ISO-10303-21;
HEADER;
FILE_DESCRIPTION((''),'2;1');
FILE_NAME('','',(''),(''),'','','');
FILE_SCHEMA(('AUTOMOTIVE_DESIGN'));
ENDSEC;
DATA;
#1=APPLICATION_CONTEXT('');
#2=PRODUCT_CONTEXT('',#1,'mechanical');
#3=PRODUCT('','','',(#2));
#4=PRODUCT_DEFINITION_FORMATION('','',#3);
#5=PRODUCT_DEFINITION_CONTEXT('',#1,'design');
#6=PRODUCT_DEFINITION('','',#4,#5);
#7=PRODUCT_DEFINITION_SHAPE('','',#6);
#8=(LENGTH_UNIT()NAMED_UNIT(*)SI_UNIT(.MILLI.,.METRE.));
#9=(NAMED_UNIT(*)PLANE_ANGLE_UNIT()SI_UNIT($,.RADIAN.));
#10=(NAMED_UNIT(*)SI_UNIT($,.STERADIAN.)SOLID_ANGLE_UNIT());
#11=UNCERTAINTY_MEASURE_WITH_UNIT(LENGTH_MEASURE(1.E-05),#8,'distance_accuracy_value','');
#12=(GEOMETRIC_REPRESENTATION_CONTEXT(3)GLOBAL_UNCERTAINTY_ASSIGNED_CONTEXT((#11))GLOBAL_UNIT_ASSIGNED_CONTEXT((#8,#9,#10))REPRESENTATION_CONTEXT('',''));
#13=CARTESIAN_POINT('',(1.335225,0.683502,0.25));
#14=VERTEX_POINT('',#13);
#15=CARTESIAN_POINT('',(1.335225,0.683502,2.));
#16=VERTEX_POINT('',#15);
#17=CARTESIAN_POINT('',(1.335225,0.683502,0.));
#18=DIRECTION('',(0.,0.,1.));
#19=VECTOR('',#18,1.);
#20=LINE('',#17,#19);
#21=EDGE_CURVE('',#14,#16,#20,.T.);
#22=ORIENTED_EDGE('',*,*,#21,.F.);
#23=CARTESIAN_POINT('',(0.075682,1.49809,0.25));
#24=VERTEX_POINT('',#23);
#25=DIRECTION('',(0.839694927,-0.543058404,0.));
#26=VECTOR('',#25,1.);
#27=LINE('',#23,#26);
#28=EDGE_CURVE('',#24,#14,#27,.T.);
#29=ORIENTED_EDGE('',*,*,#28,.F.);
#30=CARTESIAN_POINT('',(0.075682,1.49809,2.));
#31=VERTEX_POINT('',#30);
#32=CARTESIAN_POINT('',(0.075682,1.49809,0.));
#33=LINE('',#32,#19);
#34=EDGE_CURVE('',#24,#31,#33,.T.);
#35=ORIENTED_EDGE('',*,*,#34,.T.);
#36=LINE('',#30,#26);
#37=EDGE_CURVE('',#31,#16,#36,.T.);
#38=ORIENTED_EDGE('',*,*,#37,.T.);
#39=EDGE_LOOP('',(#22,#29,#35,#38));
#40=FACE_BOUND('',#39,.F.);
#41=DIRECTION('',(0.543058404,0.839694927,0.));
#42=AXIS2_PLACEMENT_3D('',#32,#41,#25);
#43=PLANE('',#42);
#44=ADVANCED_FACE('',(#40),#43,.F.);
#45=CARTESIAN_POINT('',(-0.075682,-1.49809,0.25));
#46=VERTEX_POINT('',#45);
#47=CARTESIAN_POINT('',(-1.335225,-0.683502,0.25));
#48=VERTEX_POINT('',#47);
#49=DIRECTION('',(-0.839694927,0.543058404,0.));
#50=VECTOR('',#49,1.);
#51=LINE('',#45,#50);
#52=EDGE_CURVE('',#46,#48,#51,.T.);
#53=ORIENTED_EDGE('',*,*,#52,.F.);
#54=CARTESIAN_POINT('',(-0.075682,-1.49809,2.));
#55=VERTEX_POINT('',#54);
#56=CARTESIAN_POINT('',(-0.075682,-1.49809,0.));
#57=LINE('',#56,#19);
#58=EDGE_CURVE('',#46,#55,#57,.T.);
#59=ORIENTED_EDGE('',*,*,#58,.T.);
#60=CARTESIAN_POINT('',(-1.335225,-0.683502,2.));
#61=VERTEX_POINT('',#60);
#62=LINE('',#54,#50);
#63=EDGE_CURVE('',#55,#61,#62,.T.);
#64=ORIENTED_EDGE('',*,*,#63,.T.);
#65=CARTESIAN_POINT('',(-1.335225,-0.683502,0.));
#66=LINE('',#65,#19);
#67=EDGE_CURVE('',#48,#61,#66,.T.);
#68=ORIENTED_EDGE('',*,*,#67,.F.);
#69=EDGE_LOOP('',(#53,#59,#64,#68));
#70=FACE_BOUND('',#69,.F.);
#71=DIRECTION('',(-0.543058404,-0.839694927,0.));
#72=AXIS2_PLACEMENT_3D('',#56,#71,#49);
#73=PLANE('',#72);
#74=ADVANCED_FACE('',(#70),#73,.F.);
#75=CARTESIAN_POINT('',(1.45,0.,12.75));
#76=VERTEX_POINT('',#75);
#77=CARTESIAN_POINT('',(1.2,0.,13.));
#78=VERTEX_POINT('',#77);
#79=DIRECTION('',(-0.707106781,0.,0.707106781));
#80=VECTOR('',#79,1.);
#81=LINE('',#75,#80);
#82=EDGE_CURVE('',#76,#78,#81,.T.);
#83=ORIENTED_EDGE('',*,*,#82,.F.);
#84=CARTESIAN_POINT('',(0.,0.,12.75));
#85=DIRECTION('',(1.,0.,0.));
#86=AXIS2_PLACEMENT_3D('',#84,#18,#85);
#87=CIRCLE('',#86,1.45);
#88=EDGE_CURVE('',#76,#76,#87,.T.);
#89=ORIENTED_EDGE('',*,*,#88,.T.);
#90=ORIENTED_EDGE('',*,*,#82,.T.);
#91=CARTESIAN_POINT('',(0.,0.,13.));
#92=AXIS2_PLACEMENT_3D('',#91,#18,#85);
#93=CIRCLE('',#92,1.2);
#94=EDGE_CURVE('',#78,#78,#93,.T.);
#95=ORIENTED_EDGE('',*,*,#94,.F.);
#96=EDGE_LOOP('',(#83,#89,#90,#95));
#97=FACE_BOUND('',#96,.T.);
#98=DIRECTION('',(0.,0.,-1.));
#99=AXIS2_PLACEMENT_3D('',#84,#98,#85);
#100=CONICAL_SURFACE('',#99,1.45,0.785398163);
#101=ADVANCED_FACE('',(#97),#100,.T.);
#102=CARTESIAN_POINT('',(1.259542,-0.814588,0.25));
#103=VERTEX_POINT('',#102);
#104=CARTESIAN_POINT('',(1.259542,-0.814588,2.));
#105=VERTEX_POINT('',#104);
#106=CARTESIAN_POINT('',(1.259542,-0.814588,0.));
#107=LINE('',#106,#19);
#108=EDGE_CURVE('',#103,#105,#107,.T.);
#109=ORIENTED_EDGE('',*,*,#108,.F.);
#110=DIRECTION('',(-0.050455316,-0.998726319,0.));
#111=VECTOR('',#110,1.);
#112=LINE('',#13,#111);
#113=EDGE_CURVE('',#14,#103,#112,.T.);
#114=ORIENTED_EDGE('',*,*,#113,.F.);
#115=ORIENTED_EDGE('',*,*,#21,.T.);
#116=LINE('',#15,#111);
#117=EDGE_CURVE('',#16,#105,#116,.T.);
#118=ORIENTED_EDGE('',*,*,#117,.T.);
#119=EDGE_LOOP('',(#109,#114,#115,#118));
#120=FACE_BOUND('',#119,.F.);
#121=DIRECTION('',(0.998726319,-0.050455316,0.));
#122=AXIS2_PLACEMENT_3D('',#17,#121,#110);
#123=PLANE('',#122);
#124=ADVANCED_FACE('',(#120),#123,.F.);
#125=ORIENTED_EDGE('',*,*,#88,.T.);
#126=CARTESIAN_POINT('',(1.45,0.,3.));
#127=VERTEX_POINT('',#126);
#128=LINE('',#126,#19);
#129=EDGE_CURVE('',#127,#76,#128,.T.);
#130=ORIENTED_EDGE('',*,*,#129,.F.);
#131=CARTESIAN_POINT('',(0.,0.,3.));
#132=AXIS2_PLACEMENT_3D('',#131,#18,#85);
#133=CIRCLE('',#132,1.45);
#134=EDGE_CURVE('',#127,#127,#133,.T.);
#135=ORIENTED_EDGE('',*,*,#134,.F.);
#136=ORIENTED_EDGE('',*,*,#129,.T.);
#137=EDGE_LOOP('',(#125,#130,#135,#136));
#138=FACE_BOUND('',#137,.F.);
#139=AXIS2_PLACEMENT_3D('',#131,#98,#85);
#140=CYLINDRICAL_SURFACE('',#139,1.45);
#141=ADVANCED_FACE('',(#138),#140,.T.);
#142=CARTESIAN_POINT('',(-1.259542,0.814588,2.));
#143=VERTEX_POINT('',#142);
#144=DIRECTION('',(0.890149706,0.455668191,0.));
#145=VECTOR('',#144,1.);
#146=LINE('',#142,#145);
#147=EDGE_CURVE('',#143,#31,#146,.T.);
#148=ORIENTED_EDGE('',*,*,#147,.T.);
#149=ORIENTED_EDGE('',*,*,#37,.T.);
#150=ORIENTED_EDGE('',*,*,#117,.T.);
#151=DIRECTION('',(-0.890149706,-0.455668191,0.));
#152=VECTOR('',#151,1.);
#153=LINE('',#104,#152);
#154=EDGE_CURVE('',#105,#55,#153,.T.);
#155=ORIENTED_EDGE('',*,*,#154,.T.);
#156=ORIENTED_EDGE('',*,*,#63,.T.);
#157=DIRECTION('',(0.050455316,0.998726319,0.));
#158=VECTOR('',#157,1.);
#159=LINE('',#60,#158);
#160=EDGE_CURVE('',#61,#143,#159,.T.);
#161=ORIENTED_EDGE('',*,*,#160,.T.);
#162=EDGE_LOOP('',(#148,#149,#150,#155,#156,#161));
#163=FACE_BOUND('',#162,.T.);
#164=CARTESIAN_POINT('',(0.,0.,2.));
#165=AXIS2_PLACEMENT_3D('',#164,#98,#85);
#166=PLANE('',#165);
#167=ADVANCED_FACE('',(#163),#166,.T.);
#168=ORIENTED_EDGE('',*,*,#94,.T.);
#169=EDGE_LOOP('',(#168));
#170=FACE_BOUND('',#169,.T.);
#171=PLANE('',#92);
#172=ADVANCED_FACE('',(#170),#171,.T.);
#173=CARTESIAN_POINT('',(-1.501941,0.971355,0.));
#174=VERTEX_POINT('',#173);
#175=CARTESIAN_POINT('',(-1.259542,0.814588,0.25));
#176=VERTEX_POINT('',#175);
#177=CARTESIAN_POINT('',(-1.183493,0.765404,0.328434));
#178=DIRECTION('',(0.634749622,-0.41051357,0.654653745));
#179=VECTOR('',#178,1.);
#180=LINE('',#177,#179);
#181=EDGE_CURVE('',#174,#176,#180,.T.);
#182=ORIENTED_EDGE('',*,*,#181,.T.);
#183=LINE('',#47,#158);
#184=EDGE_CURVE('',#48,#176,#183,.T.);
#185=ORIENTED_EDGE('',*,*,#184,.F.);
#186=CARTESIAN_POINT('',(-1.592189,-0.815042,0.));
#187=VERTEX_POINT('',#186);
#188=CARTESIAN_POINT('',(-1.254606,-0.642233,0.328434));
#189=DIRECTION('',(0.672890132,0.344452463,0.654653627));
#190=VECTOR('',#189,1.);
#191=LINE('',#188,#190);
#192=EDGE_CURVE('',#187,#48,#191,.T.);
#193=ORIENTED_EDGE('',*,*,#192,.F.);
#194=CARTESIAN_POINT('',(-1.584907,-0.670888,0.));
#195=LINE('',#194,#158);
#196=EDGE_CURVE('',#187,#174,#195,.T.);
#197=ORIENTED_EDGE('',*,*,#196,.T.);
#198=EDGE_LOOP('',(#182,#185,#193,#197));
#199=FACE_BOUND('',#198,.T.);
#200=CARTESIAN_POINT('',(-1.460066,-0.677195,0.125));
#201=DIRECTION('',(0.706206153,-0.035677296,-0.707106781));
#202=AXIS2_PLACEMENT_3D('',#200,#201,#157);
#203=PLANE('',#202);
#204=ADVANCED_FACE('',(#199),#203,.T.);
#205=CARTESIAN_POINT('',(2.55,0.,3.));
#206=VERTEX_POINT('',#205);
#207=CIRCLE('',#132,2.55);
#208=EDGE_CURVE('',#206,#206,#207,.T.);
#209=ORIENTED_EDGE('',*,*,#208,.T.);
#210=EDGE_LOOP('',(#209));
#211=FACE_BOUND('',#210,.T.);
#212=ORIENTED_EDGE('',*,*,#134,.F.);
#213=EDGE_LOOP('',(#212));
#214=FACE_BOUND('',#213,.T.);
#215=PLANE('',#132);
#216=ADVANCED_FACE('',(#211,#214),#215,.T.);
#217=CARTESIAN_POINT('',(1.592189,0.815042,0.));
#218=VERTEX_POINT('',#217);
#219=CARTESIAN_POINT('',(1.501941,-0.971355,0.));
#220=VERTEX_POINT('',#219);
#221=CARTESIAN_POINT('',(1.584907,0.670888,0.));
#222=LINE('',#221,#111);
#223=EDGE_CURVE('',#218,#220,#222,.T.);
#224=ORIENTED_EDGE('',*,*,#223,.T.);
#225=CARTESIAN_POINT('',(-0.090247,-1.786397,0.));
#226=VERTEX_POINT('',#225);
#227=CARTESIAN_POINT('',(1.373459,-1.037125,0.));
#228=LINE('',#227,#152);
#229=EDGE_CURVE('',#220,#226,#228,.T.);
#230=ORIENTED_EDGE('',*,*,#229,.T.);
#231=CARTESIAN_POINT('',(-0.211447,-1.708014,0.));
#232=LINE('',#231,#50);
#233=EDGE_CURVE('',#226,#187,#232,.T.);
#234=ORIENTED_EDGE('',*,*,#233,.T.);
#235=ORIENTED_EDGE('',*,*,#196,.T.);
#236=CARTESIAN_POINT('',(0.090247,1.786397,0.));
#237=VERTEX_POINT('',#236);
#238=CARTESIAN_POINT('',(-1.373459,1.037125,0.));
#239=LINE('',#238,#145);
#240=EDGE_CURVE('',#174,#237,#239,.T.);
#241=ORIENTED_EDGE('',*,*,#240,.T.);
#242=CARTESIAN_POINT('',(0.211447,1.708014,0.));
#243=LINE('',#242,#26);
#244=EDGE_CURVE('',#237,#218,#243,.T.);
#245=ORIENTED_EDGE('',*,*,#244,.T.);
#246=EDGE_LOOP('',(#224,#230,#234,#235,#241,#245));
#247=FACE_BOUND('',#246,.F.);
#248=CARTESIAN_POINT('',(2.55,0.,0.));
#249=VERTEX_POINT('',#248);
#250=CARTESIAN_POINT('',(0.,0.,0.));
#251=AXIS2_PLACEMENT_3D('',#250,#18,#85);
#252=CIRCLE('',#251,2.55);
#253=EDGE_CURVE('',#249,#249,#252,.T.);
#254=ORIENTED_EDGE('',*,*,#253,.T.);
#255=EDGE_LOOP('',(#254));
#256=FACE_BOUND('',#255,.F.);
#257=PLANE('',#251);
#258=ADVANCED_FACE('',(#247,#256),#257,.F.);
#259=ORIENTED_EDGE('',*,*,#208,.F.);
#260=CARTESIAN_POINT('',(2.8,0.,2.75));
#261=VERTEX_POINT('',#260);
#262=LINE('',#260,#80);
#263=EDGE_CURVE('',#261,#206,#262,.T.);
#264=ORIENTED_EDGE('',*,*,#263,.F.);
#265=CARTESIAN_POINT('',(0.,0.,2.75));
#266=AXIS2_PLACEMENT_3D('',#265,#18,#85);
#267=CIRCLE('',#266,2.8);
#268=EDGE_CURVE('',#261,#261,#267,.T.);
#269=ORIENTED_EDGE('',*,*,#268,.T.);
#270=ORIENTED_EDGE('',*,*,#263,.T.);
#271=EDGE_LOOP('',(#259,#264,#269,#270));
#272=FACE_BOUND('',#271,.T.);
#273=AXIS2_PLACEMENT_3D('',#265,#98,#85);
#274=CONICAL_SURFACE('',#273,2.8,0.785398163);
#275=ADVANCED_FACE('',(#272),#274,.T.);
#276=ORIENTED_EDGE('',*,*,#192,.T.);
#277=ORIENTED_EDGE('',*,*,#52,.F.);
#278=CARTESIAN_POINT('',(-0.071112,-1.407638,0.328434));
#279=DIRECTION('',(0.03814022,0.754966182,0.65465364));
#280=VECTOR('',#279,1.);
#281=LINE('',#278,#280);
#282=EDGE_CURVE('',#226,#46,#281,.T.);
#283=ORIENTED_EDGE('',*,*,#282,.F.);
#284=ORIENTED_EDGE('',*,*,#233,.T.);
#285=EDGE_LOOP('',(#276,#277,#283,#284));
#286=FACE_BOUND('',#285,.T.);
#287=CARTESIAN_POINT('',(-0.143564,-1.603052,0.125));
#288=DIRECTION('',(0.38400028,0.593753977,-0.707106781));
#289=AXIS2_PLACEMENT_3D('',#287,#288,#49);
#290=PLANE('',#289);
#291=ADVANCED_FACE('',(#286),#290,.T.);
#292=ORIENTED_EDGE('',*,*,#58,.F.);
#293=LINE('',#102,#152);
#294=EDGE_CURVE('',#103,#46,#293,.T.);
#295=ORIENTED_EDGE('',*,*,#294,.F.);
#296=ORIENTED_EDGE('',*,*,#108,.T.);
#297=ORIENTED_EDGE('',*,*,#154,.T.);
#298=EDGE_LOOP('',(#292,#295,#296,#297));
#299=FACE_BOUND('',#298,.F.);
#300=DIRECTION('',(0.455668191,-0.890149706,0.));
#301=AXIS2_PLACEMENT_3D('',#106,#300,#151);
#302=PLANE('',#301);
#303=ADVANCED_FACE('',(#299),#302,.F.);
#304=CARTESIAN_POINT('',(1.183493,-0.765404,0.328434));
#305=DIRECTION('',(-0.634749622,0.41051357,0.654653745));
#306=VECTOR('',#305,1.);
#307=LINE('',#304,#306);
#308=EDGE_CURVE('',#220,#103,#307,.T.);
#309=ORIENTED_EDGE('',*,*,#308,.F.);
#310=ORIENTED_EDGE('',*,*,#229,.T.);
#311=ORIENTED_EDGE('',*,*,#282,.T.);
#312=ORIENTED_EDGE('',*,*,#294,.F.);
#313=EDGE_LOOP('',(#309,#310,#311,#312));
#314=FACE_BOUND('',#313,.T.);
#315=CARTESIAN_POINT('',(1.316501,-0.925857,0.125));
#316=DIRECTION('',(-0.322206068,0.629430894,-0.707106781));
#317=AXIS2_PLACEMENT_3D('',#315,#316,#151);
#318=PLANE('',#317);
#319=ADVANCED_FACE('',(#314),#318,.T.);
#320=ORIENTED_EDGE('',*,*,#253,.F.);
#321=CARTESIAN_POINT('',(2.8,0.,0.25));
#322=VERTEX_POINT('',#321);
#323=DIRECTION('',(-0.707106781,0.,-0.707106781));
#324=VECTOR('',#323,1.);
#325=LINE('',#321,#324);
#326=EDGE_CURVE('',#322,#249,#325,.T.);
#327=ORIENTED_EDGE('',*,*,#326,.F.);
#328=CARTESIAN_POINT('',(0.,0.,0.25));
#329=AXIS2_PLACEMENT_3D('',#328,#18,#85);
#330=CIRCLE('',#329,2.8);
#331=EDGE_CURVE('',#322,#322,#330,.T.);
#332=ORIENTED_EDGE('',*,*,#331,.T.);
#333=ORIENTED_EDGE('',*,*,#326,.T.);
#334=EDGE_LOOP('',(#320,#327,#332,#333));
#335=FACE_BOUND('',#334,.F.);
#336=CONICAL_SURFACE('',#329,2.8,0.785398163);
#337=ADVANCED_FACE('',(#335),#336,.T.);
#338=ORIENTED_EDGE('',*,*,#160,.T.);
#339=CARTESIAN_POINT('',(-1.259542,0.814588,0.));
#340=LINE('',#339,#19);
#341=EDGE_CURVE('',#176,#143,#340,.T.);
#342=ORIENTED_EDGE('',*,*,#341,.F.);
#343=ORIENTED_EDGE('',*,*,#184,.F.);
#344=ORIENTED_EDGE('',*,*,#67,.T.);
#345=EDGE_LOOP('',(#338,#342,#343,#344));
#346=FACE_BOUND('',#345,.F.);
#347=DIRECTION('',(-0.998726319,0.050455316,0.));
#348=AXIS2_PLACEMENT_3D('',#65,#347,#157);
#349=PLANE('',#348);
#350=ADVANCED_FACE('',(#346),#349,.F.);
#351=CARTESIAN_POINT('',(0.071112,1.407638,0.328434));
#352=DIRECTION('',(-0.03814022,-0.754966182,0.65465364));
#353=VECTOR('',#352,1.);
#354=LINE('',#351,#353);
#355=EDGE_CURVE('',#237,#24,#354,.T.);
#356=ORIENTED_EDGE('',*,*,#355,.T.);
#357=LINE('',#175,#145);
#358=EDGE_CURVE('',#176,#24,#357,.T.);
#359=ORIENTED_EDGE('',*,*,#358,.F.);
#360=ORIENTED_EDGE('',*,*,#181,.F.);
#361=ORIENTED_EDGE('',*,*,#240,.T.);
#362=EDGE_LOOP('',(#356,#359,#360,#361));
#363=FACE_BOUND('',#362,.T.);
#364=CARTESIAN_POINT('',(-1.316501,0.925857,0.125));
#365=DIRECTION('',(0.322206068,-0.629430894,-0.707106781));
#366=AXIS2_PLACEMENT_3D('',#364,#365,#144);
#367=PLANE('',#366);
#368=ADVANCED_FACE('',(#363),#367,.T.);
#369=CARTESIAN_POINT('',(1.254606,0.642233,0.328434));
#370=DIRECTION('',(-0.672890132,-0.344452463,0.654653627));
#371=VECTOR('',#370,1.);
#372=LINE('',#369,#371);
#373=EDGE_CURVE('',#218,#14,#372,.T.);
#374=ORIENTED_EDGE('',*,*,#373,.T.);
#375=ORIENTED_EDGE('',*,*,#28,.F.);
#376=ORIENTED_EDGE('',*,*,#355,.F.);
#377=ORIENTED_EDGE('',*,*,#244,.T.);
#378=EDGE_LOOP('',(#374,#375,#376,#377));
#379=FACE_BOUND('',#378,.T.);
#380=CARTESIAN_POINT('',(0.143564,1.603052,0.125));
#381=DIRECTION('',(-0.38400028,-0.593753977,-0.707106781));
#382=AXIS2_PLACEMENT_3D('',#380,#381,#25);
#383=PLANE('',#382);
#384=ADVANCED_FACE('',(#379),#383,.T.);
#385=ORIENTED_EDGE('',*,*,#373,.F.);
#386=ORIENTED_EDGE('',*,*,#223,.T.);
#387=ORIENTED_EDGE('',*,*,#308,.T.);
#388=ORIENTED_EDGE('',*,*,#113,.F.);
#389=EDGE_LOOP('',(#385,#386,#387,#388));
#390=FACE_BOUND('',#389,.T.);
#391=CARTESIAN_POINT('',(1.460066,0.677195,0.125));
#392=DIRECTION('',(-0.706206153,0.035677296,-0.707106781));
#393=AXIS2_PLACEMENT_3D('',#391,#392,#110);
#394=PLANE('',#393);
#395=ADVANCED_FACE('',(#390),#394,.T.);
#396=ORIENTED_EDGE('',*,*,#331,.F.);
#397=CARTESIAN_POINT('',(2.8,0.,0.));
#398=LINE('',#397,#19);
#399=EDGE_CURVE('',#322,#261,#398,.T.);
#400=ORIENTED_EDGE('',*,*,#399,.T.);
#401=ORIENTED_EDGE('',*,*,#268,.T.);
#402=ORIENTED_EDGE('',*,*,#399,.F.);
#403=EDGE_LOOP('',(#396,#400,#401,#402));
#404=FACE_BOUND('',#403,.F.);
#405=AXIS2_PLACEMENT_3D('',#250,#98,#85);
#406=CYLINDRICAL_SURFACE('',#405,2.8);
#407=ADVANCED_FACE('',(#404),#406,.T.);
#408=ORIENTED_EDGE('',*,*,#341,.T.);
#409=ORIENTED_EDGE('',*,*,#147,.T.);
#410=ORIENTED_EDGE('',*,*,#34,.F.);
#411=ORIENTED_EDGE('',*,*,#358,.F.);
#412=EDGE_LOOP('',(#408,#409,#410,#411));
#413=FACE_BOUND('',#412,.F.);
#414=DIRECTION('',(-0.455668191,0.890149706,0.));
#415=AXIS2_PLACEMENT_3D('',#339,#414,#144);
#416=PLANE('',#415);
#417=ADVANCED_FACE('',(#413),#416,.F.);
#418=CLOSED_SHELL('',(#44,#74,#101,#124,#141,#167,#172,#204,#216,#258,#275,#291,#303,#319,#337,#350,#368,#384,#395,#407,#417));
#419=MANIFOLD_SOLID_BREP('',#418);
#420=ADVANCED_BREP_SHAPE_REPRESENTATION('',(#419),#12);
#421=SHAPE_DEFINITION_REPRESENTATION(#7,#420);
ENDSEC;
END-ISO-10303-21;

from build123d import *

# Parameters (mm, degrees)
SKETCH_R     = 2.8
PAD_DEPTH    = 3
SKETCH001_R  = 1.45
PAD001_DEPTH = 10
POCKET_DEPTH = 2
CHAMFER_SIZE = 0.25


with BuildPart() as part:
    # Sketch → Pad (new body)
    with BuildSketch(Plane.XY):
        Circle(SKETCH_R)
    extrude(amount=PAD_DEPTH)

    # Sketch001 (on Face3 of Pad) → Pad001 (join)
    with BuildSketch(Plane.XY.offset(3)):
        Circle(SKETCH001_R)
    extrude(amount=PAD001_DEPTH)

    # Sketch002 (on Face2 of Pad001) → Pocket (cut)
    with BuildSketch(Plane(origin=(0, 0, 0), x_dir=(1, 0, 0), z_dir=(0, 0, -1))):
        Polygon((1.259542, 0.814588), (-0.075682, 1.49809), (-1.335225, 0.683502), (-1.259542, -0.814588), (0.075682, -1.49809), (1.335225, -0.683502), align=None)
    extrude(amount=-POCKET_DEPTH, mode=Mode.SUBTRACT)

    # Chamfer
    chamfer_edges = [part.edges().sort_by_distance(p)[0] for p in [
        (-2.8, 0, 3),
        (-2.8, 0, 0),
        (1.297384, -0.065543, 0),
        (0.705454, 1.090796, 0),
        (-0.59193, 1.156339, 0),
        (-1.297384, 0.065543, 0),
        (-0.705454, -1.090796, 0),
        (0.59193, -1.156339, 0),
        (-1.45, 0, 13),
    ]]
    chamfer(chamfer_edges, length=CHAMFER_SIZE)


solid = part.part
